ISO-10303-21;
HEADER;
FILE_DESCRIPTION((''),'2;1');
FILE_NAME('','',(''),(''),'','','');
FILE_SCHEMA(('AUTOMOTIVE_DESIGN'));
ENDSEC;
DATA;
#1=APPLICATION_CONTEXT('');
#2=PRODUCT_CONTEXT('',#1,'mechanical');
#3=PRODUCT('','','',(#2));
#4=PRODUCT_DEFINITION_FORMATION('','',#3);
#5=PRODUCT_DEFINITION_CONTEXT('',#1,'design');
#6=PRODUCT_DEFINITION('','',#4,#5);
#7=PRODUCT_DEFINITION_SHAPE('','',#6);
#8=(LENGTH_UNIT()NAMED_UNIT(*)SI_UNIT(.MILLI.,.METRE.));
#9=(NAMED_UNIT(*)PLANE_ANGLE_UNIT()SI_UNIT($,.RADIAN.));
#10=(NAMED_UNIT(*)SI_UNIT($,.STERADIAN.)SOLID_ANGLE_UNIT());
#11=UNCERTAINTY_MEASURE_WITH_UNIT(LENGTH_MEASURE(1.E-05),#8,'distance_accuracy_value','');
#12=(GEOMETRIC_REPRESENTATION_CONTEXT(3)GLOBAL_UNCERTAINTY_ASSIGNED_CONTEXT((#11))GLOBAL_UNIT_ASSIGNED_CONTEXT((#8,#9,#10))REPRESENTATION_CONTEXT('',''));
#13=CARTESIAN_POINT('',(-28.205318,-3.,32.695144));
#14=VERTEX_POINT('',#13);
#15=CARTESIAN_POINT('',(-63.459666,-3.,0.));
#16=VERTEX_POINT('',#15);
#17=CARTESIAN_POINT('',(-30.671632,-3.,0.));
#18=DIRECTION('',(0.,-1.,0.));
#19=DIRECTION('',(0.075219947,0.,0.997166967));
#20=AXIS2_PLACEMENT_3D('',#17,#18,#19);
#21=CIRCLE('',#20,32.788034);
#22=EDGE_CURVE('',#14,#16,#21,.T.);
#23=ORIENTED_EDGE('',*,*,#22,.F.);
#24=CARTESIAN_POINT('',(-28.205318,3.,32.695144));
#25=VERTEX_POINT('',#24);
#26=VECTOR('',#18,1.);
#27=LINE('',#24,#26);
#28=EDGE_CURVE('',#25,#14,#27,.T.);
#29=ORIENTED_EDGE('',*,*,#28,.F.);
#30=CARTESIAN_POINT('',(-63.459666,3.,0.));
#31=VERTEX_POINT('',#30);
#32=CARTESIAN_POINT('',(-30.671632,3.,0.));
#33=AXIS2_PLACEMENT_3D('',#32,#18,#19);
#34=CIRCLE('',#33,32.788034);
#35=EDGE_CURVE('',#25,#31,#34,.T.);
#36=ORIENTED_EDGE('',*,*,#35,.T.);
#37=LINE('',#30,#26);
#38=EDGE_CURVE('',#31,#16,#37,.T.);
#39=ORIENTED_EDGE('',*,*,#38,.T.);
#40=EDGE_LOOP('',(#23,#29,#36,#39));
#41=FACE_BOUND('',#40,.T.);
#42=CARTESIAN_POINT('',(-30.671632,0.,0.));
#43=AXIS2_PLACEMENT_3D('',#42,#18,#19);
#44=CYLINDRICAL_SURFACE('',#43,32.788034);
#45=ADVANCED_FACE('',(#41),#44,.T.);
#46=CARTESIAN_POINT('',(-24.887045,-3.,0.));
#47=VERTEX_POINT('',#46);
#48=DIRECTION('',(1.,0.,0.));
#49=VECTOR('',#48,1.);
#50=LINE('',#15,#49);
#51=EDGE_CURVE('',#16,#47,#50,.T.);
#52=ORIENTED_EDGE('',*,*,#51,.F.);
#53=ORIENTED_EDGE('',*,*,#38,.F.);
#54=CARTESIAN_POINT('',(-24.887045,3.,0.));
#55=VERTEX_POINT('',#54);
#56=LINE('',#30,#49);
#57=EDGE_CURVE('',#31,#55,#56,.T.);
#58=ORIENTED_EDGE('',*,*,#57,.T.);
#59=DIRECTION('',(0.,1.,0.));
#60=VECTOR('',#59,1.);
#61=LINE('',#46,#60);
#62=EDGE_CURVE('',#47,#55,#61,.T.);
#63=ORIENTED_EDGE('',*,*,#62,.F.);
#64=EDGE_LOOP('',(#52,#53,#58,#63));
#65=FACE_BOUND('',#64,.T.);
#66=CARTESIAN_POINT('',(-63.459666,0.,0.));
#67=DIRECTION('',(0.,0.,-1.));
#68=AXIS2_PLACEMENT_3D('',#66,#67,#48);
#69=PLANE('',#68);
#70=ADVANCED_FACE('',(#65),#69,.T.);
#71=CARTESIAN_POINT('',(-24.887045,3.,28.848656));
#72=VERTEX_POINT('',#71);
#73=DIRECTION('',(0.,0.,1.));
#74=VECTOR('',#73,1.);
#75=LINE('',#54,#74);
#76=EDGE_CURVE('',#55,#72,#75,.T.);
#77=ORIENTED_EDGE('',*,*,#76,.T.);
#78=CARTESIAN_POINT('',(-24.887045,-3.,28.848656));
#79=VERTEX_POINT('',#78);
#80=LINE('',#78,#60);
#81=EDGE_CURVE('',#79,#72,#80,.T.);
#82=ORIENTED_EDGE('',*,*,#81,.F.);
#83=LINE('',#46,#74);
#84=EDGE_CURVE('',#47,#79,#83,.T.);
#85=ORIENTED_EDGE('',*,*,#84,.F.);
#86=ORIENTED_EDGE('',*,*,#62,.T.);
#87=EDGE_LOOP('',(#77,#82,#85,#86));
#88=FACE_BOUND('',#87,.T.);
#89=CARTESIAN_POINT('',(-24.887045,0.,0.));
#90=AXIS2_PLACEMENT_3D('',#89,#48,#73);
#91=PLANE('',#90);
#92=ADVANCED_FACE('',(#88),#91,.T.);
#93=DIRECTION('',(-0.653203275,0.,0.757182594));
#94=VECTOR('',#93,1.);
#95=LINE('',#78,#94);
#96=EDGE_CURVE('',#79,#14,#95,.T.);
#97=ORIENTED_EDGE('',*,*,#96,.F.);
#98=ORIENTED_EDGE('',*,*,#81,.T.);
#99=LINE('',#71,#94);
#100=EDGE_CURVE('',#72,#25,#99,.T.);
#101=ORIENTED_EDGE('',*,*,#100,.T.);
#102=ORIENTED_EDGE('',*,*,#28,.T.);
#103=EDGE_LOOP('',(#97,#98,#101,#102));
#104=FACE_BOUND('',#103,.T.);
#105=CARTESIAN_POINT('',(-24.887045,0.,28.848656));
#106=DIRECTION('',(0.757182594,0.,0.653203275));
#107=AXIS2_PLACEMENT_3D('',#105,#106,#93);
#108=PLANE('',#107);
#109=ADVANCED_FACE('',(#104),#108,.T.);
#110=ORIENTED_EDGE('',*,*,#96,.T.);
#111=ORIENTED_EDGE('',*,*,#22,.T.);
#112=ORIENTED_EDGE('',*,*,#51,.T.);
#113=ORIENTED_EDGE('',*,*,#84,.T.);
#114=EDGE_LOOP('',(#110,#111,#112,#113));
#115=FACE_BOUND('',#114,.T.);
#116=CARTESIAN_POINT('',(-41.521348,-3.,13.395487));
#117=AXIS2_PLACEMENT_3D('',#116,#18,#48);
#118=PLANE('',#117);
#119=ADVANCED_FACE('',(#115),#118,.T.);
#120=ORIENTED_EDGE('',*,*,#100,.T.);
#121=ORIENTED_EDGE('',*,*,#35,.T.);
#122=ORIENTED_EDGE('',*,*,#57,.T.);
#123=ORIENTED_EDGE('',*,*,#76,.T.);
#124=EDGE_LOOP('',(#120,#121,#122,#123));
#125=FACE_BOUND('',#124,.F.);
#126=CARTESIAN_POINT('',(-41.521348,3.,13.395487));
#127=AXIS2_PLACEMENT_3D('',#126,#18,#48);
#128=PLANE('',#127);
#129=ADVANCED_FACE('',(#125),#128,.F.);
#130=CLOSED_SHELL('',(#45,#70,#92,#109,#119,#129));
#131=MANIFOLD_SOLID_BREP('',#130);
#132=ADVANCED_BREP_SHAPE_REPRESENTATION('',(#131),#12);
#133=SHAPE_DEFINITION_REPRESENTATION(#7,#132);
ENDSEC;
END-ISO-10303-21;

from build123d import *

# Parameters (mm, degrees)
F1_DEPTH = 3
F2_DEPTH = 3


with BuildPart() as f1:
    # F0 (on Front) → F1 (new body)
    with BuildSketch(Plane.XZ):
        with BuildLine():
            Line((-24.887045, 28.848656), (-28.205318, 32.695144))
            ThreePointArc((-28.205318, 32.695144), (-52.967255, 24.040806), (-63.459666, 0))
            Line((-63.459666, 0), (-38.1, 0))
            Line((-38.1, 0), (-24.887045, 0))
            Line((-24.887045, 0), (-24.887045, 28.848656))
        make_face()
    extrude(amount=F1_DEPTH)

    # F0 (on Front) → F2 (join)
    with BuildSketch(Plane.XZ):
        with BuildLine():
            Line((-24.887045, 28.848656), (-28.205318, 32.695144))
            ThreePointArc((-28.205318, 32.695144), (-52.967255, 24.040806), (-63.459666, 0))
            Line((-63.459666, 0), (-38.1, 0))
            Line((-38.1, 0), (-24.887045, 0))
            Line((-24.887045, 0), (-24.887045, 28.848656))
        make_face()
    extrude(amount=-F2_DEPTH)


solid = f1.part
